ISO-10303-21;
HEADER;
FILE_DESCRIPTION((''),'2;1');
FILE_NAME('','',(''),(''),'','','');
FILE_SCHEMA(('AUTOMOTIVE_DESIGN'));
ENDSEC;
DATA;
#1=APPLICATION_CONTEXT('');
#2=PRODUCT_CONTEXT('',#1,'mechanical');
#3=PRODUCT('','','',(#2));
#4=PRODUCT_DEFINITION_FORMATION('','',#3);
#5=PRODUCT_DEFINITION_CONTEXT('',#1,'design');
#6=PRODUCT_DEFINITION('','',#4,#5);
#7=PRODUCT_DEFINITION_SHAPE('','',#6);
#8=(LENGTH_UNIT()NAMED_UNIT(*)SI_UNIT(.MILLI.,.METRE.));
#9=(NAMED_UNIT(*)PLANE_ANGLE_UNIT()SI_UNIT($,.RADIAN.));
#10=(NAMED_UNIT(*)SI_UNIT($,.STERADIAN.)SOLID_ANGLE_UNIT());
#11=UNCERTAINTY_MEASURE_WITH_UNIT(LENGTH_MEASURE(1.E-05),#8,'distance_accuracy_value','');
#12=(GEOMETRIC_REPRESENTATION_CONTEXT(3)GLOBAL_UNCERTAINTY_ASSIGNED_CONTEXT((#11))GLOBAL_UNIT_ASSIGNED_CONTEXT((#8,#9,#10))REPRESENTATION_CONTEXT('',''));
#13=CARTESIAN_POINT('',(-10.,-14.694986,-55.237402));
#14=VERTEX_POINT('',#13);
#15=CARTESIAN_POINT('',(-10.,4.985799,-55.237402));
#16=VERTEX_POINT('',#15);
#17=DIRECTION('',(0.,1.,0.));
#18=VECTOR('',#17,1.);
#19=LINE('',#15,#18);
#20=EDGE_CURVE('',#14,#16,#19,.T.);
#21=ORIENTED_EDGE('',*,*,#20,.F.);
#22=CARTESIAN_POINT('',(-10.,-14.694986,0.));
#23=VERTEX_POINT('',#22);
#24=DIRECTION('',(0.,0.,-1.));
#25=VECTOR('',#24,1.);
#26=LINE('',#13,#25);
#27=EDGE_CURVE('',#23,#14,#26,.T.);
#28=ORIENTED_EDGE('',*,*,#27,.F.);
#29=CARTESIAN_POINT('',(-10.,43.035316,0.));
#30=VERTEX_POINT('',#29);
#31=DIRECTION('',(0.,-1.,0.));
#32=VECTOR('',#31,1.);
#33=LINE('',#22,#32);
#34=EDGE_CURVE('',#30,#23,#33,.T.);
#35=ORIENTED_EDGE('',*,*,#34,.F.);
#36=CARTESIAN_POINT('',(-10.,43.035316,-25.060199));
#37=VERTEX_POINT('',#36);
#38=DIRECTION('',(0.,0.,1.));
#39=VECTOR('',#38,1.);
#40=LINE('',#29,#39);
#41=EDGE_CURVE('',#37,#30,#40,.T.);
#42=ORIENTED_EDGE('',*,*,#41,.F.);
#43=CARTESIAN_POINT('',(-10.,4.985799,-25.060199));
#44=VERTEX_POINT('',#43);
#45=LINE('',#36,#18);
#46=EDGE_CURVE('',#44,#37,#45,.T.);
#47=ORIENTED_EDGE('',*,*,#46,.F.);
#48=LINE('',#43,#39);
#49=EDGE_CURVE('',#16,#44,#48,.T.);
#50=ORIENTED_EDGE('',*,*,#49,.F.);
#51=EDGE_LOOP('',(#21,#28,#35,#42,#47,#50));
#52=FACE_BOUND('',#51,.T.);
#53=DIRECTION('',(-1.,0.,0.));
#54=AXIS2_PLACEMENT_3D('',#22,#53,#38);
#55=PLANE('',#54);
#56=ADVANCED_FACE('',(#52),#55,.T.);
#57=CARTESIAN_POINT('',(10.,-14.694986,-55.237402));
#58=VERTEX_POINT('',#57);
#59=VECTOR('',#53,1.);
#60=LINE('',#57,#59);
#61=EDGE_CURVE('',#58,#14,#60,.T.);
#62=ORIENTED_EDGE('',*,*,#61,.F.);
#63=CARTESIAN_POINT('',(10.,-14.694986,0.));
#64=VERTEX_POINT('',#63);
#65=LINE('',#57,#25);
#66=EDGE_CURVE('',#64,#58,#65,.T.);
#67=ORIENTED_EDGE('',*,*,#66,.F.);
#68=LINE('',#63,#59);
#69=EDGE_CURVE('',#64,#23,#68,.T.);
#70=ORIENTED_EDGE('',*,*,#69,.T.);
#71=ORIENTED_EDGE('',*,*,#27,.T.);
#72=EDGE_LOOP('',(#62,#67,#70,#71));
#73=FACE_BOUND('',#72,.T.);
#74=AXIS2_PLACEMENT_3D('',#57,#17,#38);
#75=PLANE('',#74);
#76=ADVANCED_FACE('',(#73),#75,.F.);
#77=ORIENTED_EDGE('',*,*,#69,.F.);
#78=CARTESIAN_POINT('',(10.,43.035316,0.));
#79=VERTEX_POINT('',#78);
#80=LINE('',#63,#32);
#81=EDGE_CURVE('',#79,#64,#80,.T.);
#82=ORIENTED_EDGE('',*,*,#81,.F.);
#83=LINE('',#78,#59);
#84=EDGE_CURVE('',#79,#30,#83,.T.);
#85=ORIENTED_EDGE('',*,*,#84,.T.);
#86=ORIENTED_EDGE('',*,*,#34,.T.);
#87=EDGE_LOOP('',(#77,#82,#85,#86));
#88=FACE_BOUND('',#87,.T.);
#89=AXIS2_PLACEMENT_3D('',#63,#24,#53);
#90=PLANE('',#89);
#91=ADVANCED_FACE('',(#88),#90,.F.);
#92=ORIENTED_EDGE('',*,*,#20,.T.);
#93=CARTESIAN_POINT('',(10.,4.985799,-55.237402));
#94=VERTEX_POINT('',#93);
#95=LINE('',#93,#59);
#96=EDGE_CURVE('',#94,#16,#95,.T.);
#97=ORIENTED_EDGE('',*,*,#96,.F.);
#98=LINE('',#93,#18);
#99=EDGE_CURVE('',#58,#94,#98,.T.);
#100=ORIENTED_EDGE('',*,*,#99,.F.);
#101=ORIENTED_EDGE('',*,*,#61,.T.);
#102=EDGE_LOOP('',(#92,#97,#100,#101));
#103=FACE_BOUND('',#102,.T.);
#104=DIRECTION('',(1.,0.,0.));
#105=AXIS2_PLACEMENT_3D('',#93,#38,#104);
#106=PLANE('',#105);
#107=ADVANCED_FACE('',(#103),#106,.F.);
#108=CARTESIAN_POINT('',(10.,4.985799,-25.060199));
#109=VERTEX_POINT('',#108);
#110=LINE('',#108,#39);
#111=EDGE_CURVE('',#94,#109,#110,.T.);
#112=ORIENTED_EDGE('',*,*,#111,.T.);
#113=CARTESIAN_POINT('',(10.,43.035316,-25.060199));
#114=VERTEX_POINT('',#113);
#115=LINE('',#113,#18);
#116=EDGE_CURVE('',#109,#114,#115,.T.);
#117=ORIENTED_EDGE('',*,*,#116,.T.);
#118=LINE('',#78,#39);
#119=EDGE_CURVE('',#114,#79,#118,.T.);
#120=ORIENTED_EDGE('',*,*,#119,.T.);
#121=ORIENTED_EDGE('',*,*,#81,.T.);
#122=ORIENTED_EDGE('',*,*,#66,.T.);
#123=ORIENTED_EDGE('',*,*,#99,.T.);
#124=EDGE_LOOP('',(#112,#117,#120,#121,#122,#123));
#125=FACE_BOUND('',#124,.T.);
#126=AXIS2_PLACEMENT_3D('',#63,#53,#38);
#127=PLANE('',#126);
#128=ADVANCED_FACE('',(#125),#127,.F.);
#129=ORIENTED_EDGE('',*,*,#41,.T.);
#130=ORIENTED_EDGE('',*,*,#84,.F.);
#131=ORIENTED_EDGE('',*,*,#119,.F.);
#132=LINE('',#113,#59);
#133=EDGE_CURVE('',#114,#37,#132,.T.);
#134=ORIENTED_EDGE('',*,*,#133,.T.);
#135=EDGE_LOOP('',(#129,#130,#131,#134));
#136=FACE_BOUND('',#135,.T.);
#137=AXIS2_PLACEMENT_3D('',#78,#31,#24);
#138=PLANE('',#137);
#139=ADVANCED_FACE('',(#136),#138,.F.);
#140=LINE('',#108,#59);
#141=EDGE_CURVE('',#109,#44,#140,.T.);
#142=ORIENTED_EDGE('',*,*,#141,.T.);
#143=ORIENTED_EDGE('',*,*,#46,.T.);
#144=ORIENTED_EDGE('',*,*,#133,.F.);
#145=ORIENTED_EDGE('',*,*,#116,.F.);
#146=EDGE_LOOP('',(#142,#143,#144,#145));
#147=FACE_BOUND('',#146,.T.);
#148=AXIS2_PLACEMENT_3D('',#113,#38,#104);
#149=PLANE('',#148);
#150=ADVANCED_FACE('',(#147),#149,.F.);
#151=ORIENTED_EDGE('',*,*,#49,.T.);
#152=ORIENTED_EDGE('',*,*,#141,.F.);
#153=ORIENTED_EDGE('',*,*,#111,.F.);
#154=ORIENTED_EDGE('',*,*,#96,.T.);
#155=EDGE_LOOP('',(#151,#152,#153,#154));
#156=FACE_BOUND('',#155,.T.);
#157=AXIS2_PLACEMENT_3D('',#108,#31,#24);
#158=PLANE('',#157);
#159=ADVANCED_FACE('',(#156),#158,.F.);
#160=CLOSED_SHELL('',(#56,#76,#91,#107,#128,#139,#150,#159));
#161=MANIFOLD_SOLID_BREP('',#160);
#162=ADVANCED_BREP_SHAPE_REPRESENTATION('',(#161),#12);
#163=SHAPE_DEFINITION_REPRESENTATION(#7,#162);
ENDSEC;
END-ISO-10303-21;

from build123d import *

# Parameters (mm, degrees)
EXTRUDE_1_DEPTH = 10


with BuildPart() as part:
    # Эскиз1 → Бобышка-Вытянуть1 (new, symmetric)
    with BuildSketch(Plane(origin=(0, 0, 0), x_dir=(0, 0, -1), z_dir=(1, 0, 0))):
        Polygon((0, -14.694985852), (0, 43.035315709), (25.060199086, 43.035315709), (25.060199086, 4.985798771), (55.237402175, 4.985798771), (55.237402175, -14.694985852), align=None)
    extrude(amount=EXTRUDE_1_DEPTH, both=True)


solid = part.part
